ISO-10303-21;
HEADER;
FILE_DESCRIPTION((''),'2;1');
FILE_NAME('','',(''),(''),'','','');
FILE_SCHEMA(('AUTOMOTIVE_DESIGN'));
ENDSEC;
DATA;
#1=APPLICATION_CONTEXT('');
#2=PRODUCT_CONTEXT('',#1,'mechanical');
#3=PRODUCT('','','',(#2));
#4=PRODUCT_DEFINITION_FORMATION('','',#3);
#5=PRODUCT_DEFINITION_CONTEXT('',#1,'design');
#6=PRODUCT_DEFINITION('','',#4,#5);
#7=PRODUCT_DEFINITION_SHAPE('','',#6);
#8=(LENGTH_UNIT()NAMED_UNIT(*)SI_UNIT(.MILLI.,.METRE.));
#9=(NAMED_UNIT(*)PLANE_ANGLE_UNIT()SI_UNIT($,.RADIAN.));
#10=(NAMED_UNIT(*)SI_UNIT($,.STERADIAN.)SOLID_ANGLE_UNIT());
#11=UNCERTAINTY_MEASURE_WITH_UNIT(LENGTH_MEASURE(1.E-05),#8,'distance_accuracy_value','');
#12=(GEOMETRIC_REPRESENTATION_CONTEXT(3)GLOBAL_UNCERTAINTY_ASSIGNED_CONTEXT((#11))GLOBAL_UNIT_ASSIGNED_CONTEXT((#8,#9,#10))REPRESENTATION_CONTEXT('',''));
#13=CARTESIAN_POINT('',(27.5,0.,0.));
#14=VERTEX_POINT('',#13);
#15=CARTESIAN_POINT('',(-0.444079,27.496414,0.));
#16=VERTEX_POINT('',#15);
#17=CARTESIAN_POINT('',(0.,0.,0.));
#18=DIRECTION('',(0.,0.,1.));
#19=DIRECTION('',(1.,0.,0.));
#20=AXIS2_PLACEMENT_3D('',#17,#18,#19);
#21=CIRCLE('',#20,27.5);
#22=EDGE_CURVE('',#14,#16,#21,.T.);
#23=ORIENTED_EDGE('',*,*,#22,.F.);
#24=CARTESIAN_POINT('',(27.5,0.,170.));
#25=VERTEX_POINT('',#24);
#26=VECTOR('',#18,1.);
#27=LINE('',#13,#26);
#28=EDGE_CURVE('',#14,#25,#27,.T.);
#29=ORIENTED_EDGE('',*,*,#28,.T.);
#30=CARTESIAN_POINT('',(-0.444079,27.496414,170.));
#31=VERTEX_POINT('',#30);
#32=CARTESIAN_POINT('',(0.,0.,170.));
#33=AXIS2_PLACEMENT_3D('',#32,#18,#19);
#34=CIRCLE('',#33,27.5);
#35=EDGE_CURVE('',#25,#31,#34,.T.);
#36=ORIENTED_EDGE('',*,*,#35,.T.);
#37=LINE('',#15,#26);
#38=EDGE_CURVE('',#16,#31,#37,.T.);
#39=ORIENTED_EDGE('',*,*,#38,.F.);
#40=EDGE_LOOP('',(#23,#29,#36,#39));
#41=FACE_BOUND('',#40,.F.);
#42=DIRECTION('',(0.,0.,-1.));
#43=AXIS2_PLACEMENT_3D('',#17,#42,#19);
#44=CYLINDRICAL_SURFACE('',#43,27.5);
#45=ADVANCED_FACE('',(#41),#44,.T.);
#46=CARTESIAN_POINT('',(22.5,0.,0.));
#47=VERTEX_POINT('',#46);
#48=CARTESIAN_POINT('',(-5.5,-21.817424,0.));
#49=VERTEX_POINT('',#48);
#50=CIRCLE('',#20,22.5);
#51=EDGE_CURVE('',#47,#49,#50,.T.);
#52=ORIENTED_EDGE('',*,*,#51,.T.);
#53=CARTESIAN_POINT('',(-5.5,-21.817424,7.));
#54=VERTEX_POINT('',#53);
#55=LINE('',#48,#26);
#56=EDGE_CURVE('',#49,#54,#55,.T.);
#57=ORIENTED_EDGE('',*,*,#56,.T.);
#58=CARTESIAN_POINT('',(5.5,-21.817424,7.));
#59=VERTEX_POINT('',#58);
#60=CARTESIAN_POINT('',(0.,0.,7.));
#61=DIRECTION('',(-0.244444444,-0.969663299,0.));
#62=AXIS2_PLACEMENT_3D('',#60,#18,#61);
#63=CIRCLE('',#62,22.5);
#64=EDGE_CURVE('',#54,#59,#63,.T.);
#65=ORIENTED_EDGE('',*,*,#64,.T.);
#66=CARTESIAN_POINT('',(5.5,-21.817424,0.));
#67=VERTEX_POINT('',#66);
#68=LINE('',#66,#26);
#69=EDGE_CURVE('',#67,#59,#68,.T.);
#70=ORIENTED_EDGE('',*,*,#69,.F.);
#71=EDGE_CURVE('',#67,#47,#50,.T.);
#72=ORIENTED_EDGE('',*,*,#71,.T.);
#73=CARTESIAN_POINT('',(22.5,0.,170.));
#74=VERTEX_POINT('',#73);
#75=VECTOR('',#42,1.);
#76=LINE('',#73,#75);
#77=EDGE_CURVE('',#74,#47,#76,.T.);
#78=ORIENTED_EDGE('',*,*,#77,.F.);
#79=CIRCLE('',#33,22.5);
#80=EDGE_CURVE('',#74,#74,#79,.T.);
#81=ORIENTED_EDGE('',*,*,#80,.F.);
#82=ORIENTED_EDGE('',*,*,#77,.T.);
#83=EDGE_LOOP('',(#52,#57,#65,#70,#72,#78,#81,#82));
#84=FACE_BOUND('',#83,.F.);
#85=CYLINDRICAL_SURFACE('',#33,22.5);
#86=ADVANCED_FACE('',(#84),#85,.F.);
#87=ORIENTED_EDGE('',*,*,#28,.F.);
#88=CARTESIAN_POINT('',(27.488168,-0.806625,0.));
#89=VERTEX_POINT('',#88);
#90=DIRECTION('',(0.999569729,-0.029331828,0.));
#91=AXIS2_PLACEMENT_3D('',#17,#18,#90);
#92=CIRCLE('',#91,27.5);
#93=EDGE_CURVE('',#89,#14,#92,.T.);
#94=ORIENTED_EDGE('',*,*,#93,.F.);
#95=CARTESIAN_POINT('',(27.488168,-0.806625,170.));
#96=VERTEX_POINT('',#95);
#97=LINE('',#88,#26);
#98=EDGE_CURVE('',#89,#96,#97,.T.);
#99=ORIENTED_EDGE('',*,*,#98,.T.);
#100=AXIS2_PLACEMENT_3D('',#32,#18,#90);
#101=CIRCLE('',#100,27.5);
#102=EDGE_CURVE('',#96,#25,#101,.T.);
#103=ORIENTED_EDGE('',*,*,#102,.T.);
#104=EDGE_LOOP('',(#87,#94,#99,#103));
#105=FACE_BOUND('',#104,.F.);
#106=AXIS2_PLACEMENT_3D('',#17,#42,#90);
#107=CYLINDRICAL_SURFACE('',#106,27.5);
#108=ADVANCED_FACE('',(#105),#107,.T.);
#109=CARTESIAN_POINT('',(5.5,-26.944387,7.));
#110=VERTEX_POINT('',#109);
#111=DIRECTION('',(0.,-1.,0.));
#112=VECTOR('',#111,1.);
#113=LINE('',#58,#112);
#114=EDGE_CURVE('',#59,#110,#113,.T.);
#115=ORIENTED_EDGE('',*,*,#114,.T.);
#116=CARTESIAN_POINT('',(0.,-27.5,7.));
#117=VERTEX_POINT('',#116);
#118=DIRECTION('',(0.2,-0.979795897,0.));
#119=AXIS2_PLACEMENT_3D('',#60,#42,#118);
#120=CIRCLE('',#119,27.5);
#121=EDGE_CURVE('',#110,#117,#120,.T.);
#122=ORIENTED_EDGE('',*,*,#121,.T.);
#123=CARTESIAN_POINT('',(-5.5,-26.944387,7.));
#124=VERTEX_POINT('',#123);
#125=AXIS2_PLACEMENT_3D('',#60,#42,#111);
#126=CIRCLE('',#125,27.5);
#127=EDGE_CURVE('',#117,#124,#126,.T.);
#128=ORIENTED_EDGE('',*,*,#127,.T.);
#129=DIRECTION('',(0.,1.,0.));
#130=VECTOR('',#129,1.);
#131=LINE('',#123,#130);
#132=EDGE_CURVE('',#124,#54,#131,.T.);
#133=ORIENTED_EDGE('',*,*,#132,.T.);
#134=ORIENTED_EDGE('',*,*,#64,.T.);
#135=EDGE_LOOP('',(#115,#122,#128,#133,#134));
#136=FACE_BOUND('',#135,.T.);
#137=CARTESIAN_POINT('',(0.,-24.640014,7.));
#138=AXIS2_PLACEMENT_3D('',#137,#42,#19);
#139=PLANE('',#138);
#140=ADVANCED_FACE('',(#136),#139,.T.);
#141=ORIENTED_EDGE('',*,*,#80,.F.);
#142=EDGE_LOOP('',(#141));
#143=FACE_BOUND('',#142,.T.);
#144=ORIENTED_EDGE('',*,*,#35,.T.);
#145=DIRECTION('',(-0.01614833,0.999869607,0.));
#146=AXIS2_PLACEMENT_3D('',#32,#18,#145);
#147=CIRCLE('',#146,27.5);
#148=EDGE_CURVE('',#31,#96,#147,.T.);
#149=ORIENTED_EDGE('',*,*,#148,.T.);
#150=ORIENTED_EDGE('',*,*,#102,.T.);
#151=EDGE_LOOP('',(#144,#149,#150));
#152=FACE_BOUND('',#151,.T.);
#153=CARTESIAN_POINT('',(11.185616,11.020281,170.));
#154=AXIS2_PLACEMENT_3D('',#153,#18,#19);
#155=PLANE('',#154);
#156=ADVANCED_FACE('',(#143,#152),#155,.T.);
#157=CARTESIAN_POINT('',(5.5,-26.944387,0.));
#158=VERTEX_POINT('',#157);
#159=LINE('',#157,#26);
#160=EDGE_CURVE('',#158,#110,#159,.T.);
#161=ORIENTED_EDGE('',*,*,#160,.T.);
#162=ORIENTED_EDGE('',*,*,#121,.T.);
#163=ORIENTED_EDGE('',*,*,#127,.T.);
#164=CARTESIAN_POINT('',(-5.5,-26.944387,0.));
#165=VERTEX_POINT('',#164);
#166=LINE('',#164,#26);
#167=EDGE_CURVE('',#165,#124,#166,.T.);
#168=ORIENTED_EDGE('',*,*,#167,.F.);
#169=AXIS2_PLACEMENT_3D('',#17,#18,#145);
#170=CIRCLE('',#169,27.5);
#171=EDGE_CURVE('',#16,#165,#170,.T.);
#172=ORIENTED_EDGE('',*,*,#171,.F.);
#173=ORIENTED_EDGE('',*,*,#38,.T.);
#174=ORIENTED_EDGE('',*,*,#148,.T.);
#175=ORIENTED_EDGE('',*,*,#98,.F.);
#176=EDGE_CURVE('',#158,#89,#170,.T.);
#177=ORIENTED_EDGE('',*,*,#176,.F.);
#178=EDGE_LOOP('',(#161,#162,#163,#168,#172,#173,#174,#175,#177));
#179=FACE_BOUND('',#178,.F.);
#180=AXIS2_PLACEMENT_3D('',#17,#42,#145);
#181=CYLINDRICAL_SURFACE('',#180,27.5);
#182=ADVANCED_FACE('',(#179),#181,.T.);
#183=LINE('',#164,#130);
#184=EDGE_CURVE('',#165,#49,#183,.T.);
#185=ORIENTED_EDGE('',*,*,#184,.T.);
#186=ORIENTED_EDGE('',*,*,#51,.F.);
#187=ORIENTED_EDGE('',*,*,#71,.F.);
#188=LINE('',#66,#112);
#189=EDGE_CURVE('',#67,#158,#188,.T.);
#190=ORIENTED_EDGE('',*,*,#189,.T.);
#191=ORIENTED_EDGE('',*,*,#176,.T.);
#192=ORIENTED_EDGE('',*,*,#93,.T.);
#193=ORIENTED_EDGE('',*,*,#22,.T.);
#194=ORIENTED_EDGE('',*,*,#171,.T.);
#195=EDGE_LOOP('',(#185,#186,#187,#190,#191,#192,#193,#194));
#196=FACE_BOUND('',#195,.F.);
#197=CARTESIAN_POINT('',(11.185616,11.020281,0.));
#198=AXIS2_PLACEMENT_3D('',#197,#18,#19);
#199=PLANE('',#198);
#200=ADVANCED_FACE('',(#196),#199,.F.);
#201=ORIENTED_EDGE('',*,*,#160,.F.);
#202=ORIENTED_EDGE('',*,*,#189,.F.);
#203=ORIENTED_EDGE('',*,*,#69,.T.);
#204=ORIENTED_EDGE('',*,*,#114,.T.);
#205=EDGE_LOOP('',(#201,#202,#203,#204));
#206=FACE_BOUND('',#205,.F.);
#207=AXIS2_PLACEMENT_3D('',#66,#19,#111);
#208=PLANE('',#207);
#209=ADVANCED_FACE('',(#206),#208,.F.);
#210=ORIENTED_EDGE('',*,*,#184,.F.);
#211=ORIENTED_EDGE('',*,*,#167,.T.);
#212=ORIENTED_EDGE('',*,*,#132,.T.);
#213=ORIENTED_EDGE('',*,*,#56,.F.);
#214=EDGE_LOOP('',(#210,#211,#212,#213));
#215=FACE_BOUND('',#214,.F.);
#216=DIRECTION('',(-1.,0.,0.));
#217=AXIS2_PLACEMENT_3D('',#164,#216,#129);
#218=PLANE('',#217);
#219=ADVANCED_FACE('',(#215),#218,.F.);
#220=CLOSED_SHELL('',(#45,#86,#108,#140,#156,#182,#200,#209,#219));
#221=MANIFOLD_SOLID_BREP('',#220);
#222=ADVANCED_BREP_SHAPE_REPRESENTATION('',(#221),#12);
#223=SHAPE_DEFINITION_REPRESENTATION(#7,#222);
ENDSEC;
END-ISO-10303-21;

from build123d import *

# Parameters (mm, degrees)
F2_DEPTH = 170
F3_R     = 22.5
F4_DEPTH = 170
F6_DEPTH = 7


with BuildPart() as f2:
    # F1 (on face) → F2 (new body)
    with BuildSketch(Plane.XY):
        with BuildLine():
            ThreePointArc((27.4881675578, -0.8066252621), (27.4970417303, -0.4033560215), (27.5, 0))
            ThreePointArc((27.5, 0), (19.2877918034, 19.6018133689), (-0.4440790799, 27.4964141984))
            Line((-0.4440790799, 27.4964141984), (-0.4440790799, -0.5180921289))
            Line((-0.4440790799, -0.5180921289), (27.4881675578, -0.8066252621))
        make_face()
        with BuildLine():
            Line((-0.4440790799, -0.5180921289), (-0.4440790799, 27.4964141984))
            ThreePointArc((-0.4440790799, 27.4964141984), (-19.5732263839, -19.3168012084), (27.4881675578, -0.8066252621))
            Line((27.4881675578, -0.8066252621), (-0.4440790799, -0.5180921289))
        make_face()
    extrude(amount=F2_DEPTH)

    # F3 (on face) → F4 (cut)
    with BuildSketch(Plane.XY.offset(170)):
        Circle(F3_R)
    extrude(amount=-F4_DEPTH, mode=Mode.SUBTRACT)

    # F5 (on face) → F6 (cut)
    with BuildSketch(Plane(origin=(0, 0, 0), x_dir=(1, 0, 0), z_dir=(0, 0, -1))):
        with BuildLine():
            ThreePointArc((-5.5, 21.8174242293), (0, 22.5), (5.5, 21.8174242293))
            Line((5.5, 21.8174242293), (5.5, 26.9443871706))
            ThreePointArc((5.5, 26.9443871706), (2.7639964551, 27.3607442076), (0, 27.5))
            ThreePointArc((0, 27.5), (-2.7639964551, 27.3607442076), (-5.5, 26.9443871706))
            Line((-5.5, 26.9443871706), (-5.5, 21.8174242293))
        make_face()
    extrude(amount=-F6_DEPTH, mode=Mode.SUBTRACT)


solid = f2.part
